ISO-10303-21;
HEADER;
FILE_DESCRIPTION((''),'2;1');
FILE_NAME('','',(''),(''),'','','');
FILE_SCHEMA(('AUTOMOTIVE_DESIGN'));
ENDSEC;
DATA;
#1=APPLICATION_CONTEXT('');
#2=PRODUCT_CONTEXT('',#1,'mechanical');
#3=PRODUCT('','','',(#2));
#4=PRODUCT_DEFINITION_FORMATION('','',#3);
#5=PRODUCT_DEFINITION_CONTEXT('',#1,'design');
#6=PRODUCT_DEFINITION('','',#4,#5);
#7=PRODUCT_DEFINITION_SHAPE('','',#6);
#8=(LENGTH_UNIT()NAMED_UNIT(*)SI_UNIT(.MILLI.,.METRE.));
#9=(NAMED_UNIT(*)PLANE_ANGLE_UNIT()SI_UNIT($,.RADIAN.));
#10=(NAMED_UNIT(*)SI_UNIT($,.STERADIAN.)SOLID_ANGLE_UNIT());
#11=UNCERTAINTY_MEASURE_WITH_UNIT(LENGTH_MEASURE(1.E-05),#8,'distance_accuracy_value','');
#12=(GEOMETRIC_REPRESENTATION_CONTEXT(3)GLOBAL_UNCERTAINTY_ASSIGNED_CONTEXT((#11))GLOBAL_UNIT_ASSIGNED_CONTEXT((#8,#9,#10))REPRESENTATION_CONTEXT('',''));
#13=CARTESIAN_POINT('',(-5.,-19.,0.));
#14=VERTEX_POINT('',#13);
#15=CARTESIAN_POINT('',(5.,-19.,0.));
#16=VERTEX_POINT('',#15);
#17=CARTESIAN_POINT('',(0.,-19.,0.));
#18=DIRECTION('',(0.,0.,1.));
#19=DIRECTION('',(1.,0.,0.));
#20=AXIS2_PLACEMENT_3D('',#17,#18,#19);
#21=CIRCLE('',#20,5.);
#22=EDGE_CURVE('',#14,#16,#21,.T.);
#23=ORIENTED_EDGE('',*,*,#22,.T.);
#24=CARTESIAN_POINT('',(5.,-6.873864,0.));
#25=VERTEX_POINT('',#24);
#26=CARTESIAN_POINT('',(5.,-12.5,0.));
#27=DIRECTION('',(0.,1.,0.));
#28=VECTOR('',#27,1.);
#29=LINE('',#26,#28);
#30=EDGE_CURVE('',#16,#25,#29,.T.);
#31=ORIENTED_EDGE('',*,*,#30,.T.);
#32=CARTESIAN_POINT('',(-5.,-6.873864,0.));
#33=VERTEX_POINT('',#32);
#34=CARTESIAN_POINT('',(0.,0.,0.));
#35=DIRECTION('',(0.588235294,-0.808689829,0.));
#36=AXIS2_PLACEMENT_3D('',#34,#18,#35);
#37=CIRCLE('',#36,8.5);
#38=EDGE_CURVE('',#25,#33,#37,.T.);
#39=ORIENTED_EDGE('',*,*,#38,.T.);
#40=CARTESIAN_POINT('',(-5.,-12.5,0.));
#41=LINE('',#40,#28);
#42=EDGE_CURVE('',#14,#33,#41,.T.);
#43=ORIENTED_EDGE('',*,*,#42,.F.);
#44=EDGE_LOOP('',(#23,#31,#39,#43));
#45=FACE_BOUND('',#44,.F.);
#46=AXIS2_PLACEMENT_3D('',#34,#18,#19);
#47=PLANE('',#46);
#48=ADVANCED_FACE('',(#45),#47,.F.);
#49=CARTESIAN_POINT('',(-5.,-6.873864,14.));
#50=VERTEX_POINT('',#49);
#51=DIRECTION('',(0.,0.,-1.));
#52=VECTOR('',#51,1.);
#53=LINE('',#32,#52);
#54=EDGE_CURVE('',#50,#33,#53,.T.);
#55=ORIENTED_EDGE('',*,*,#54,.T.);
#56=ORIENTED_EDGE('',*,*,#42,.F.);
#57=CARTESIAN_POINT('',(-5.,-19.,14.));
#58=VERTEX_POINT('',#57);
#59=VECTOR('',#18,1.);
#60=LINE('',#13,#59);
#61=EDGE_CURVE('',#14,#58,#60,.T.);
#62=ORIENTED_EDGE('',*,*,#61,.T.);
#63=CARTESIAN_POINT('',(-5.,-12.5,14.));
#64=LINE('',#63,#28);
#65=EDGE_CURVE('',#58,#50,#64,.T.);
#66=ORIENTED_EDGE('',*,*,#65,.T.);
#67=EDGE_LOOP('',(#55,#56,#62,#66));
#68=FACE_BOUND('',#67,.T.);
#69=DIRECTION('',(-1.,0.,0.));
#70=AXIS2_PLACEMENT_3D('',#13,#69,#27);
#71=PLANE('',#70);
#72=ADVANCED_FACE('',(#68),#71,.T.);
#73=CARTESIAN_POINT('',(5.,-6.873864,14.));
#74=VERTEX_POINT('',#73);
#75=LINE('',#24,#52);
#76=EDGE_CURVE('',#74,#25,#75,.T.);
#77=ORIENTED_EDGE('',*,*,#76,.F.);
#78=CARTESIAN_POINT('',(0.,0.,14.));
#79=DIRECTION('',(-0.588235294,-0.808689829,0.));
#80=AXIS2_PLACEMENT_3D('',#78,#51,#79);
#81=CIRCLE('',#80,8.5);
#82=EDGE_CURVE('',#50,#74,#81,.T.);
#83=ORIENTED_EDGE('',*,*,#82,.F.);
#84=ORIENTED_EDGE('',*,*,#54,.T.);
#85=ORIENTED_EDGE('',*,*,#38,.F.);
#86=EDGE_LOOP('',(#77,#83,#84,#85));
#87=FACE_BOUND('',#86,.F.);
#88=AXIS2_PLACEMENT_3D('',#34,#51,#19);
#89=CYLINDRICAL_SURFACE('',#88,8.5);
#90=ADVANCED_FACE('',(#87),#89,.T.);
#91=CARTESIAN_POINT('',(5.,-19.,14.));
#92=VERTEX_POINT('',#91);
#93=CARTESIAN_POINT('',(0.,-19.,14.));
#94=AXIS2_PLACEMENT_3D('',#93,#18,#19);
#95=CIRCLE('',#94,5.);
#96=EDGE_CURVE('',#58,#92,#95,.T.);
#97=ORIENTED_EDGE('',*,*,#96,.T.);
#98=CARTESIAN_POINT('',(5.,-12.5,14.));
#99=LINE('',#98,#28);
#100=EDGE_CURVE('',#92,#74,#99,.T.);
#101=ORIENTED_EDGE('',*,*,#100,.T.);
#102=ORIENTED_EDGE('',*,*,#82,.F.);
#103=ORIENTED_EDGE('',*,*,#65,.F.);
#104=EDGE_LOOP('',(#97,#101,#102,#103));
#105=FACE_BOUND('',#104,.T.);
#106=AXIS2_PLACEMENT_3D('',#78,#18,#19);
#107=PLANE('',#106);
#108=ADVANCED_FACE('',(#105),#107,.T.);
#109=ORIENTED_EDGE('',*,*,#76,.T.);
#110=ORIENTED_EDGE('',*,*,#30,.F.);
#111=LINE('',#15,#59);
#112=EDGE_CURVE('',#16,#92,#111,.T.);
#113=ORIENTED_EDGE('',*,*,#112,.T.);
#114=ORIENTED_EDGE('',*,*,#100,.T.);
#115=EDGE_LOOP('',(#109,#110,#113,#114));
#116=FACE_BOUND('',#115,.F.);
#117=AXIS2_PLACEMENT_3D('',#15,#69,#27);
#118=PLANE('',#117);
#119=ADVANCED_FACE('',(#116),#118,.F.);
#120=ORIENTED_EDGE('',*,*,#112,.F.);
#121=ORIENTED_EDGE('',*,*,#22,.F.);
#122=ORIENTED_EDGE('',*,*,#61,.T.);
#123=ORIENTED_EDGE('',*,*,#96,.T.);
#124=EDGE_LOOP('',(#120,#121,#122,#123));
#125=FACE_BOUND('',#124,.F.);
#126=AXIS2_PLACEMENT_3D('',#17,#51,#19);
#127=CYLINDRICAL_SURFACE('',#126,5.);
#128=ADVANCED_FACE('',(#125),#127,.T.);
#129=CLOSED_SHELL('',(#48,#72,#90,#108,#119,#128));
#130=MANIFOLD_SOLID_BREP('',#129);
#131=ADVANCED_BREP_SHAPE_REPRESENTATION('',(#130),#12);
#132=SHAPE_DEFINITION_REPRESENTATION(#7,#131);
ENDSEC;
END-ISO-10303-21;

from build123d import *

# Parameters (mm, degrees)
CYLINDER007_R     = 5
CYLINDER007_DEPTH = 14
CYLINDER006_R     = 8.5
CYLINDER006_DEPTH = 14
BOX006_W          = 10
BOX006_H          = 13
BOX006_DEPTH      = 14


with BuildPart() as lock_cut_bottom001:
    # Cylinder007 → Cylinder007 (new body)
    with BuildSketch(Plane(origin=(0, -11, 0), x_dir=(1, 0, 0), z_dir=(0, 0, 1))):
        Circle(CYLINDER007_R)
    extrude(amount=CYLINDER007_DEPTH)


with BuildPart() as lock_cut_top001:
    # Cylinder006 → Cylinder006 (new body)
    with BuildSketch(Plane(origin=(0, 8, 0), x_dir=(1, 0, 0), z_dir=(0, 0, 1))):
        Circle(CYLINDER006_R)
    extrude(amount=CYLINDER006_DEPTH)


with BuildPart() as lock:
    # Box006 → Box006 (new body)
    with BuildSketch(Plane(origin=(-5, -11, 0), x_dir=(1, 0, 0), z_dir=(0, 0, 1))):
        with Locations((5, 6.5)):
            Rectangle(BOX006_W, BOX006_H)
    extrude(amount=BOX006_DEPTH)

    # Fusion004: union lock cut bottom001, lock cut top001
    add(lock_cut_bottom001.part)
    add(lock_cut_top001.part)


with BuildPart() as lock_1:
    # Fusion004 placement: moved
    add(lock.part.moved(Location((0, -8, 0))))


solid = lock_1.part
